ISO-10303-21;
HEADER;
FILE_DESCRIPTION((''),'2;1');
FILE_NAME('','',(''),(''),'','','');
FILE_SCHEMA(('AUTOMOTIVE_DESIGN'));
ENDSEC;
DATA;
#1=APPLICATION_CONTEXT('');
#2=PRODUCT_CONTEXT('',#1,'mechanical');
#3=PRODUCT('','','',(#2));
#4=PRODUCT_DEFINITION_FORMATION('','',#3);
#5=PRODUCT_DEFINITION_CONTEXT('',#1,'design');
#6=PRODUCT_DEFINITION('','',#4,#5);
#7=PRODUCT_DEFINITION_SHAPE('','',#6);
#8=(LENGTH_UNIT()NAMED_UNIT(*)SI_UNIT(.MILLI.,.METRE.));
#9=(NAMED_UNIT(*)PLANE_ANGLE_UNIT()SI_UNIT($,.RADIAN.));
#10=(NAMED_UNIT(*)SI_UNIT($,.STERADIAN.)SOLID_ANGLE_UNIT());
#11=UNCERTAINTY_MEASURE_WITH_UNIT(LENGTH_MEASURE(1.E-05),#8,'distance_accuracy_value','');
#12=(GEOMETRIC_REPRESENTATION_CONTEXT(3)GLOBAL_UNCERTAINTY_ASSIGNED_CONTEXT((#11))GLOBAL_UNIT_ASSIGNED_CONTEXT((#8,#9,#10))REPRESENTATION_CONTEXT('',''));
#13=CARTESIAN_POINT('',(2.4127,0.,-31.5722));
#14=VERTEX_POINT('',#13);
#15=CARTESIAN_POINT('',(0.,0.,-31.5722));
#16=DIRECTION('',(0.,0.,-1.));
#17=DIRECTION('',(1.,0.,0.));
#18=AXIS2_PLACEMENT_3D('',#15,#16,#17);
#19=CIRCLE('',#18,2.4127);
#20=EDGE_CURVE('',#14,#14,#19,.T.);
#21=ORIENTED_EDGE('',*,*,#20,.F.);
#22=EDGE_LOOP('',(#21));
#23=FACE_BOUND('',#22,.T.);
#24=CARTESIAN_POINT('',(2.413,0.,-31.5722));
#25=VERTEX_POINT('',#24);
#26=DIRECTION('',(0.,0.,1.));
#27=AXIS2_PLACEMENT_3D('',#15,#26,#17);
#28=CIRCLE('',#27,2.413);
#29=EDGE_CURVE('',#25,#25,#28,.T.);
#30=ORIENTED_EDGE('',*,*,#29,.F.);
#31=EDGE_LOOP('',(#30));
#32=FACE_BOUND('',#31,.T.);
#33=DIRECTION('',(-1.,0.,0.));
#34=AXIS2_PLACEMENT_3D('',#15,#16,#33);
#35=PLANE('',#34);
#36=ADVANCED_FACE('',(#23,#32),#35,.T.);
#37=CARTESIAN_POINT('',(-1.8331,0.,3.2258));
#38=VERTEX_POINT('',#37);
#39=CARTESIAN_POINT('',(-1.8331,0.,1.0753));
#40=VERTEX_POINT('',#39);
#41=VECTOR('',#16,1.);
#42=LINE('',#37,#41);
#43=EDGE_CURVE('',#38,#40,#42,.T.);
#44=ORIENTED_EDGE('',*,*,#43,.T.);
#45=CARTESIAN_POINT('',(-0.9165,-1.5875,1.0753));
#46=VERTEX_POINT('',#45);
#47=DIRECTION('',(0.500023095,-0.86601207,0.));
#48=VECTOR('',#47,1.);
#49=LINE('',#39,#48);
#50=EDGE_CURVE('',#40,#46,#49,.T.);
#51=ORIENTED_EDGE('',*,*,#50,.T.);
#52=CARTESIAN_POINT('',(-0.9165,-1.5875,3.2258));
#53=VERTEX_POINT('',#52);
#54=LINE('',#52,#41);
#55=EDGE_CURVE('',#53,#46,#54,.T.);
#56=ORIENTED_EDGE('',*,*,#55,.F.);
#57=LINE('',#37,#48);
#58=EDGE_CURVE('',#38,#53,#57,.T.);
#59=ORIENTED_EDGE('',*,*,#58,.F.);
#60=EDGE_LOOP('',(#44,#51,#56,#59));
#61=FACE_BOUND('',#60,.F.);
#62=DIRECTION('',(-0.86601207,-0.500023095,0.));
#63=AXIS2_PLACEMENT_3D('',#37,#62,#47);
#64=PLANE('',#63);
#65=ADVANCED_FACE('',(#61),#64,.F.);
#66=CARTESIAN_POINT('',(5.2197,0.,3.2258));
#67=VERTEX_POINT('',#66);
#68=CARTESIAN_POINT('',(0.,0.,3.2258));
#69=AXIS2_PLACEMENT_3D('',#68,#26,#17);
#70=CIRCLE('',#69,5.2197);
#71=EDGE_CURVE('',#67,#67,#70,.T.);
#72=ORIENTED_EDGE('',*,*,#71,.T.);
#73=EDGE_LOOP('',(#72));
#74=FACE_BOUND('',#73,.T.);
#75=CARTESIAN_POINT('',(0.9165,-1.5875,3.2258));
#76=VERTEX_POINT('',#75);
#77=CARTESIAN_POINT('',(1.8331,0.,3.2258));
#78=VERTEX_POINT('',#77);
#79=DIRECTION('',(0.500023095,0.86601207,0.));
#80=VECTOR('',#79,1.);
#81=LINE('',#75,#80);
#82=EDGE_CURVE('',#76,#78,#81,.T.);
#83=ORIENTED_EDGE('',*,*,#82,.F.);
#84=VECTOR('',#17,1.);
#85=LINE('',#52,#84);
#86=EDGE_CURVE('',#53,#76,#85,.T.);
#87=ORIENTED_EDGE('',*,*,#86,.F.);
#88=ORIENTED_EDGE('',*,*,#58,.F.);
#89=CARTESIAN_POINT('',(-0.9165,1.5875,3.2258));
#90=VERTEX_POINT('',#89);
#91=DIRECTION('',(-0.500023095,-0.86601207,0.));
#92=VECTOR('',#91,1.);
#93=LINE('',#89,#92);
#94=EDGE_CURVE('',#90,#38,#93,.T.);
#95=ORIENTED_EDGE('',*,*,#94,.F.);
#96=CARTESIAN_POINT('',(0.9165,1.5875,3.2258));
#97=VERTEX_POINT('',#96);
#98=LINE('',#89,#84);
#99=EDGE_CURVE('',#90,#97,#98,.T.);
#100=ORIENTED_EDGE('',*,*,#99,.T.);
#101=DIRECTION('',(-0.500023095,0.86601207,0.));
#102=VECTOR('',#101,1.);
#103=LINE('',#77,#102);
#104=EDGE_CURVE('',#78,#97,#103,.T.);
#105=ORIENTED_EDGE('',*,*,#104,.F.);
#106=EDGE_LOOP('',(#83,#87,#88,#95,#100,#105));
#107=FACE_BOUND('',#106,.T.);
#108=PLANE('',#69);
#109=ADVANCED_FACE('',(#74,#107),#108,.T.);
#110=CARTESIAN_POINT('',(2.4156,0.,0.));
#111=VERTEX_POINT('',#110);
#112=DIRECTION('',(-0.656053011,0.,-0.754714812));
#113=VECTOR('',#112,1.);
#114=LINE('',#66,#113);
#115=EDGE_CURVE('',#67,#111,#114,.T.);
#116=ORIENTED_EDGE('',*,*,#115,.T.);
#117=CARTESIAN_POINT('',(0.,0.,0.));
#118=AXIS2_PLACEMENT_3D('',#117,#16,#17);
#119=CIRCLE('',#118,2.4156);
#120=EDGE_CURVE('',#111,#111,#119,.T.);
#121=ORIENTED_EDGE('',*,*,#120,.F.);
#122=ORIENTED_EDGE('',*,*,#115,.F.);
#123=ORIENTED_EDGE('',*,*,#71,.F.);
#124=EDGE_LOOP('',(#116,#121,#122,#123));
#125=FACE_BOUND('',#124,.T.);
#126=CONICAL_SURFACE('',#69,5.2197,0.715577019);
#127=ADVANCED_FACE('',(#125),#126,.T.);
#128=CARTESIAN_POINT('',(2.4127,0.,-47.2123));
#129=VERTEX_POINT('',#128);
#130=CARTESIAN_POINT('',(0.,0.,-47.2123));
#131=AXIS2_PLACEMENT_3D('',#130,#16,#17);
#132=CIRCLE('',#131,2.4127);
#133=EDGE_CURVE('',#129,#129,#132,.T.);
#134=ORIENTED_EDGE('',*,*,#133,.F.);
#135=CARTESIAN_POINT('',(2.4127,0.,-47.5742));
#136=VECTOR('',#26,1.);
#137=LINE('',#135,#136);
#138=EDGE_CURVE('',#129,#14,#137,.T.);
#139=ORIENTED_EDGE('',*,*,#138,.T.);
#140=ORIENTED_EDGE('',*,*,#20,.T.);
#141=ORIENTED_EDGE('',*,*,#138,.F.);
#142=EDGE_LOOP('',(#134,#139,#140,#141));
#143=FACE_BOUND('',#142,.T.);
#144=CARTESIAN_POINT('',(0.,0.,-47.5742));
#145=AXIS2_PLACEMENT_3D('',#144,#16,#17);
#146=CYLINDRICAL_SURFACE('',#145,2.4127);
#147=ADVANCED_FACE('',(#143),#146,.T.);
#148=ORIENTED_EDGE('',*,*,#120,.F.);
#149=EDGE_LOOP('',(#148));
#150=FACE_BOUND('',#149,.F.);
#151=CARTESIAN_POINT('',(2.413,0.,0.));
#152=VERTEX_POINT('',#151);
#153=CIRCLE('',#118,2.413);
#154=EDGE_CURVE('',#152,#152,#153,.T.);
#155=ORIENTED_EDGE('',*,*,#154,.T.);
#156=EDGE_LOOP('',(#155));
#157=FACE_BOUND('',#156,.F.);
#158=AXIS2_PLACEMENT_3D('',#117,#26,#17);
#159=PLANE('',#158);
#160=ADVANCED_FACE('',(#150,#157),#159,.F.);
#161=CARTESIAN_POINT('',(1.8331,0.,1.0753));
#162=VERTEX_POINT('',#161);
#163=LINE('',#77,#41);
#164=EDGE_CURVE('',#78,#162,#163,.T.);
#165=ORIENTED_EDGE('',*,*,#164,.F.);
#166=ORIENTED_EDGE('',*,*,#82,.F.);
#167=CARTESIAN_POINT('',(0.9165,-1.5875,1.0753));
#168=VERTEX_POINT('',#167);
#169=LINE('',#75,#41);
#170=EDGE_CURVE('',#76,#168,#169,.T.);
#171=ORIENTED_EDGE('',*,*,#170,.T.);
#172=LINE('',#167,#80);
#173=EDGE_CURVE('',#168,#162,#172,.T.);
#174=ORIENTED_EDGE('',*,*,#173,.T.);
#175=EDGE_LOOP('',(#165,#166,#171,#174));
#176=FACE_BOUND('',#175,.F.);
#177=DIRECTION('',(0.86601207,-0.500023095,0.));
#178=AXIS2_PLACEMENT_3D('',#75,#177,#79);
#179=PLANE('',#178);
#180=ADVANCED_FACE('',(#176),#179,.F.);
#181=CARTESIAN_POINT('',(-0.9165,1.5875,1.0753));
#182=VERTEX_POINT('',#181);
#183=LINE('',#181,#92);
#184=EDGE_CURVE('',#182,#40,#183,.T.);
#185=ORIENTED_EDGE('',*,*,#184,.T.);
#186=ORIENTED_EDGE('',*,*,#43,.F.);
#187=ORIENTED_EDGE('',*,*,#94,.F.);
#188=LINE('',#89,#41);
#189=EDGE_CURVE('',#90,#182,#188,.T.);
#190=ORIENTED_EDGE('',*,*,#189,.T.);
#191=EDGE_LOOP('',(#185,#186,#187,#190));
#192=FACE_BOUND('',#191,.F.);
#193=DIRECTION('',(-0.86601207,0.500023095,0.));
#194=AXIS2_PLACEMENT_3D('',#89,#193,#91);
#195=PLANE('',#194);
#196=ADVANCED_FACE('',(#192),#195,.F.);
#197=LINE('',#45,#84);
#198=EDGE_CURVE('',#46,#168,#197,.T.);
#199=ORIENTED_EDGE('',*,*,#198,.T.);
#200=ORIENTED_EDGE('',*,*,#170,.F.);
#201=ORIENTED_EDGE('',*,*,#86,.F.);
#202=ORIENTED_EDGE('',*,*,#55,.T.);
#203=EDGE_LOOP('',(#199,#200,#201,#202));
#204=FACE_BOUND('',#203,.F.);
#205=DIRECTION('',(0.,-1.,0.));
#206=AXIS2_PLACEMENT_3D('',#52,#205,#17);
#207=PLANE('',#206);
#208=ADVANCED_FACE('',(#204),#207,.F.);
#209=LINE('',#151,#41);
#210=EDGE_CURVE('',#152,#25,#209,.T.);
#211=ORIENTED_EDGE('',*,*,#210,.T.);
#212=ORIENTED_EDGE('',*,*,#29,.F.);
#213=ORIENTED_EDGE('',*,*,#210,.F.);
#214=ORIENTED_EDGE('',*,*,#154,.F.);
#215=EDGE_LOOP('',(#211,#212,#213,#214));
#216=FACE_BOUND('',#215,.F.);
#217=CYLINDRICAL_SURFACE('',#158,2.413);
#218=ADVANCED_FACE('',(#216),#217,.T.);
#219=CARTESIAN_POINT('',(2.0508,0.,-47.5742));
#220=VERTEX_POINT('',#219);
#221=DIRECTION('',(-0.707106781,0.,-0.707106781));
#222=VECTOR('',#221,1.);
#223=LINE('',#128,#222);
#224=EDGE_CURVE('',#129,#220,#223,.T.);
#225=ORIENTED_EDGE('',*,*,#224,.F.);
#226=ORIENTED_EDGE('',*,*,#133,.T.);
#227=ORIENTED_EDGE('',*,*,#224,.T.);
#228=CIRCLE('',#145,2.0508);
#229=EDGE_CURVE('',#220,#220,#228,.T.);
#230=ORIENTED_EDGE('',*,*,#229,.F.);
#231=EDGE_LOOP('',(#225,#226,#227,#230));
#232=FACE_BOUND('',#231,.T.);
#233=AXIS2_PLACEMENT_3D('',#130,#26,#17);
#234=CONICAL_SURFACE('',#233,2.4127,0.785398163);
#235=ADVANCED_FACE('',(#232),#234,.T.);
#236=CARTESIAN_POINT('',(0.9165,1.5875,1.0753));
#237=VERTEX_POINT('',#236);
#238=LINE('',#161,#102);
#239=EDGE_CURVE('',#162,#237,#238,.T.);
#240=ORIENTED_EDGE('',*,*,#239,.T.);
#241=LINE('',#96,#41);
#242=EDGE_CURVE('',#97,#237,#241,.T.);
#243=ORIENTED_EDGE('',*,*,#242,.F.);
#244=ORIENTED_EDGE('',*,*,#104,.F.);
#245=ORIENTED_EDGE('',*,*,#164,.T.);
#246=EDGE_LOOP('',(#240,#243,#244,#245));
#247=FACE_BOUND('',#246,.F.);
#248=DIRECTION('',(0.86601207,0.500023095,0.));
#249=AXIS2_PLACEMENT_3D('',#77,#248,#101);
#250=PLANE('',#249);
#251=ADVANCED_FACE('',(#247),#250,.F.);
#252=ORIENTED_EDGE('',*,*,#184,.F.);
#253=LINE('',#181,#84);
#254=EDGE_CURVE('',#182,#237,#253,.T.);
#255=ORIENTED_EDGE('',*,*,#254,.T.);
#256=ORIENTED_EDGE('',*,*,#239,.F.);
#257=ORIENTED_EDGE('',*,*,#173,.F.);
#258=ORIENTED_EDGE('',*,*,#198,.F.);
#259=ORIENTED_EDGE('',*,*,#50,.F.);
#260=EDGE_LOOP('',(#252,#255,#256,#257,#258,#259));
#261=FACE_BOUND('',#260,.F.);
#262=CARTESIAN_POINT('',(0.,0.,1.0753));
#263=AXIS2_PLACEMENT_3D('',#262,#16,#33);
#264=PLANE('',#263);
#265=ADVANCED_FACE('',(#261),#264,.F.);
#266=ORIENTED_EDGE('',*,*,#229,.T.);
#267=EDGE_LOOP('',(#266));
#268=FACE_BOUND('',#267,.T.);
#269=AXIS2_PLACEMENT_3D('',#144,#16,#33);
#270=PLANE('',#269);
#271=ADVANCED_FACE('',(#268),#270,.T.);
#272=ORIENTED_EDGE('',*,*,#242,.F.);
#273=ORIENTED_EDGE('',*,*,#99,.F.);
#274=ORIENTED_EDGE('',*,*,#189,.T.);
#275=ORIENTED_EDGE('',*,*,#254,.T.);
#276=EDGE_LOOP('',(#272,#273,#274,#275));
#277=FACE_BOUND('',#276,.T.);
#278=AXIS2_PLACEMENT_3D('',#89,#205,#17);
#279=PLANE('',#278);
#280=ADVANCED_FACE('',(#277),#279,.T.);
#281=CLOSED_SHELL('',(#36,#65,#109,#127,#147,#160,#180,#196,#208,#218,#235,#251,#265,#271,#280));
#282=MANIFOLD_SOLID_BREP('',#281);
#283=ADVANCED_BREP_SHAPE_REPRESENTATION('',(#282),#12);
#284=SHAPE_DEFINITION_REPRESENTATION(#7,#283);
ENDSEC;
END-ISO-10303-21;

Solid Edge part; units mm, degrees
sketch "Sketch1" plane through (0, 0, 0) normal (0, 0, 1) x (1, 0, 0)
  circle A0 centre (0, 0) radius 5.2197
  dimension "D1" = 10.4394
extrude "Protrusion1" add sketch "Sketch1" along normal blind 3.2258
sketch "Sketch2" plane through (0, 0, 0) normal (0, 0, -1) x (1, 0, 0)
  circle A0 centre (0, 0) radius 2.413
extrude "Protrusion2" add sketch "Sketch2" along normal blind 47.5742
sketch "Sketch3" plane through (0, 0, -47.5742) normal (0, 0, -1) x (1, 0, 0)
  circle A0 centre (0, 0) radius 2.4127
extrude "Cutout1" cut sketch "Sketch3" against normal blind 16.002 flip side to cut
chamfer "Chamfer_1" distance 0.3619 angle 45 1 edges at (-2.4127, 0, -47.5742)
sketch "Sketch4" plane through (0, 0, 3.2258) normal (0, 0, 1) x (1, 0, 0)
  line L0 (-0.9165, 1.5875) -> (0.9165, 1.5875)
  line L1 (1.8331, 0) -> (0.9165, 1.5875)
  line L2 (0.9165, -1.5875) -> (1.8331, 0)
  line L3 (-0.9165, -1.5875) -> (0.9165, -1.5875)
  line L4 (-1.8331, 0) -> (-0.9165, -1.5875)
  line L5 (-0.9165, 1.5875) -> (-1.8331, 0)
  dimension "D1" = 3.175
extrude "Cutout2" cut sketch "Sketch4" against normal blind 2.1505
sketch "Sketch5" plane through (0, 0, 0) normal (0, -1, 0) x (1, 0, 0)
  line L0 (5.2197, 3.2258) -> (2.4156, 0)
  line L1 (2.4156, 0) -> (5.2197, 0)
  line L2 (5.2197, 0) -> (5.2197, 3.2258)
revolve "RevolvedCutout1" cut sketch "Sketch5" angle 360 about axis through (0, 0, 14.0017) along (0, 0, -1)
properties part number "185720"
